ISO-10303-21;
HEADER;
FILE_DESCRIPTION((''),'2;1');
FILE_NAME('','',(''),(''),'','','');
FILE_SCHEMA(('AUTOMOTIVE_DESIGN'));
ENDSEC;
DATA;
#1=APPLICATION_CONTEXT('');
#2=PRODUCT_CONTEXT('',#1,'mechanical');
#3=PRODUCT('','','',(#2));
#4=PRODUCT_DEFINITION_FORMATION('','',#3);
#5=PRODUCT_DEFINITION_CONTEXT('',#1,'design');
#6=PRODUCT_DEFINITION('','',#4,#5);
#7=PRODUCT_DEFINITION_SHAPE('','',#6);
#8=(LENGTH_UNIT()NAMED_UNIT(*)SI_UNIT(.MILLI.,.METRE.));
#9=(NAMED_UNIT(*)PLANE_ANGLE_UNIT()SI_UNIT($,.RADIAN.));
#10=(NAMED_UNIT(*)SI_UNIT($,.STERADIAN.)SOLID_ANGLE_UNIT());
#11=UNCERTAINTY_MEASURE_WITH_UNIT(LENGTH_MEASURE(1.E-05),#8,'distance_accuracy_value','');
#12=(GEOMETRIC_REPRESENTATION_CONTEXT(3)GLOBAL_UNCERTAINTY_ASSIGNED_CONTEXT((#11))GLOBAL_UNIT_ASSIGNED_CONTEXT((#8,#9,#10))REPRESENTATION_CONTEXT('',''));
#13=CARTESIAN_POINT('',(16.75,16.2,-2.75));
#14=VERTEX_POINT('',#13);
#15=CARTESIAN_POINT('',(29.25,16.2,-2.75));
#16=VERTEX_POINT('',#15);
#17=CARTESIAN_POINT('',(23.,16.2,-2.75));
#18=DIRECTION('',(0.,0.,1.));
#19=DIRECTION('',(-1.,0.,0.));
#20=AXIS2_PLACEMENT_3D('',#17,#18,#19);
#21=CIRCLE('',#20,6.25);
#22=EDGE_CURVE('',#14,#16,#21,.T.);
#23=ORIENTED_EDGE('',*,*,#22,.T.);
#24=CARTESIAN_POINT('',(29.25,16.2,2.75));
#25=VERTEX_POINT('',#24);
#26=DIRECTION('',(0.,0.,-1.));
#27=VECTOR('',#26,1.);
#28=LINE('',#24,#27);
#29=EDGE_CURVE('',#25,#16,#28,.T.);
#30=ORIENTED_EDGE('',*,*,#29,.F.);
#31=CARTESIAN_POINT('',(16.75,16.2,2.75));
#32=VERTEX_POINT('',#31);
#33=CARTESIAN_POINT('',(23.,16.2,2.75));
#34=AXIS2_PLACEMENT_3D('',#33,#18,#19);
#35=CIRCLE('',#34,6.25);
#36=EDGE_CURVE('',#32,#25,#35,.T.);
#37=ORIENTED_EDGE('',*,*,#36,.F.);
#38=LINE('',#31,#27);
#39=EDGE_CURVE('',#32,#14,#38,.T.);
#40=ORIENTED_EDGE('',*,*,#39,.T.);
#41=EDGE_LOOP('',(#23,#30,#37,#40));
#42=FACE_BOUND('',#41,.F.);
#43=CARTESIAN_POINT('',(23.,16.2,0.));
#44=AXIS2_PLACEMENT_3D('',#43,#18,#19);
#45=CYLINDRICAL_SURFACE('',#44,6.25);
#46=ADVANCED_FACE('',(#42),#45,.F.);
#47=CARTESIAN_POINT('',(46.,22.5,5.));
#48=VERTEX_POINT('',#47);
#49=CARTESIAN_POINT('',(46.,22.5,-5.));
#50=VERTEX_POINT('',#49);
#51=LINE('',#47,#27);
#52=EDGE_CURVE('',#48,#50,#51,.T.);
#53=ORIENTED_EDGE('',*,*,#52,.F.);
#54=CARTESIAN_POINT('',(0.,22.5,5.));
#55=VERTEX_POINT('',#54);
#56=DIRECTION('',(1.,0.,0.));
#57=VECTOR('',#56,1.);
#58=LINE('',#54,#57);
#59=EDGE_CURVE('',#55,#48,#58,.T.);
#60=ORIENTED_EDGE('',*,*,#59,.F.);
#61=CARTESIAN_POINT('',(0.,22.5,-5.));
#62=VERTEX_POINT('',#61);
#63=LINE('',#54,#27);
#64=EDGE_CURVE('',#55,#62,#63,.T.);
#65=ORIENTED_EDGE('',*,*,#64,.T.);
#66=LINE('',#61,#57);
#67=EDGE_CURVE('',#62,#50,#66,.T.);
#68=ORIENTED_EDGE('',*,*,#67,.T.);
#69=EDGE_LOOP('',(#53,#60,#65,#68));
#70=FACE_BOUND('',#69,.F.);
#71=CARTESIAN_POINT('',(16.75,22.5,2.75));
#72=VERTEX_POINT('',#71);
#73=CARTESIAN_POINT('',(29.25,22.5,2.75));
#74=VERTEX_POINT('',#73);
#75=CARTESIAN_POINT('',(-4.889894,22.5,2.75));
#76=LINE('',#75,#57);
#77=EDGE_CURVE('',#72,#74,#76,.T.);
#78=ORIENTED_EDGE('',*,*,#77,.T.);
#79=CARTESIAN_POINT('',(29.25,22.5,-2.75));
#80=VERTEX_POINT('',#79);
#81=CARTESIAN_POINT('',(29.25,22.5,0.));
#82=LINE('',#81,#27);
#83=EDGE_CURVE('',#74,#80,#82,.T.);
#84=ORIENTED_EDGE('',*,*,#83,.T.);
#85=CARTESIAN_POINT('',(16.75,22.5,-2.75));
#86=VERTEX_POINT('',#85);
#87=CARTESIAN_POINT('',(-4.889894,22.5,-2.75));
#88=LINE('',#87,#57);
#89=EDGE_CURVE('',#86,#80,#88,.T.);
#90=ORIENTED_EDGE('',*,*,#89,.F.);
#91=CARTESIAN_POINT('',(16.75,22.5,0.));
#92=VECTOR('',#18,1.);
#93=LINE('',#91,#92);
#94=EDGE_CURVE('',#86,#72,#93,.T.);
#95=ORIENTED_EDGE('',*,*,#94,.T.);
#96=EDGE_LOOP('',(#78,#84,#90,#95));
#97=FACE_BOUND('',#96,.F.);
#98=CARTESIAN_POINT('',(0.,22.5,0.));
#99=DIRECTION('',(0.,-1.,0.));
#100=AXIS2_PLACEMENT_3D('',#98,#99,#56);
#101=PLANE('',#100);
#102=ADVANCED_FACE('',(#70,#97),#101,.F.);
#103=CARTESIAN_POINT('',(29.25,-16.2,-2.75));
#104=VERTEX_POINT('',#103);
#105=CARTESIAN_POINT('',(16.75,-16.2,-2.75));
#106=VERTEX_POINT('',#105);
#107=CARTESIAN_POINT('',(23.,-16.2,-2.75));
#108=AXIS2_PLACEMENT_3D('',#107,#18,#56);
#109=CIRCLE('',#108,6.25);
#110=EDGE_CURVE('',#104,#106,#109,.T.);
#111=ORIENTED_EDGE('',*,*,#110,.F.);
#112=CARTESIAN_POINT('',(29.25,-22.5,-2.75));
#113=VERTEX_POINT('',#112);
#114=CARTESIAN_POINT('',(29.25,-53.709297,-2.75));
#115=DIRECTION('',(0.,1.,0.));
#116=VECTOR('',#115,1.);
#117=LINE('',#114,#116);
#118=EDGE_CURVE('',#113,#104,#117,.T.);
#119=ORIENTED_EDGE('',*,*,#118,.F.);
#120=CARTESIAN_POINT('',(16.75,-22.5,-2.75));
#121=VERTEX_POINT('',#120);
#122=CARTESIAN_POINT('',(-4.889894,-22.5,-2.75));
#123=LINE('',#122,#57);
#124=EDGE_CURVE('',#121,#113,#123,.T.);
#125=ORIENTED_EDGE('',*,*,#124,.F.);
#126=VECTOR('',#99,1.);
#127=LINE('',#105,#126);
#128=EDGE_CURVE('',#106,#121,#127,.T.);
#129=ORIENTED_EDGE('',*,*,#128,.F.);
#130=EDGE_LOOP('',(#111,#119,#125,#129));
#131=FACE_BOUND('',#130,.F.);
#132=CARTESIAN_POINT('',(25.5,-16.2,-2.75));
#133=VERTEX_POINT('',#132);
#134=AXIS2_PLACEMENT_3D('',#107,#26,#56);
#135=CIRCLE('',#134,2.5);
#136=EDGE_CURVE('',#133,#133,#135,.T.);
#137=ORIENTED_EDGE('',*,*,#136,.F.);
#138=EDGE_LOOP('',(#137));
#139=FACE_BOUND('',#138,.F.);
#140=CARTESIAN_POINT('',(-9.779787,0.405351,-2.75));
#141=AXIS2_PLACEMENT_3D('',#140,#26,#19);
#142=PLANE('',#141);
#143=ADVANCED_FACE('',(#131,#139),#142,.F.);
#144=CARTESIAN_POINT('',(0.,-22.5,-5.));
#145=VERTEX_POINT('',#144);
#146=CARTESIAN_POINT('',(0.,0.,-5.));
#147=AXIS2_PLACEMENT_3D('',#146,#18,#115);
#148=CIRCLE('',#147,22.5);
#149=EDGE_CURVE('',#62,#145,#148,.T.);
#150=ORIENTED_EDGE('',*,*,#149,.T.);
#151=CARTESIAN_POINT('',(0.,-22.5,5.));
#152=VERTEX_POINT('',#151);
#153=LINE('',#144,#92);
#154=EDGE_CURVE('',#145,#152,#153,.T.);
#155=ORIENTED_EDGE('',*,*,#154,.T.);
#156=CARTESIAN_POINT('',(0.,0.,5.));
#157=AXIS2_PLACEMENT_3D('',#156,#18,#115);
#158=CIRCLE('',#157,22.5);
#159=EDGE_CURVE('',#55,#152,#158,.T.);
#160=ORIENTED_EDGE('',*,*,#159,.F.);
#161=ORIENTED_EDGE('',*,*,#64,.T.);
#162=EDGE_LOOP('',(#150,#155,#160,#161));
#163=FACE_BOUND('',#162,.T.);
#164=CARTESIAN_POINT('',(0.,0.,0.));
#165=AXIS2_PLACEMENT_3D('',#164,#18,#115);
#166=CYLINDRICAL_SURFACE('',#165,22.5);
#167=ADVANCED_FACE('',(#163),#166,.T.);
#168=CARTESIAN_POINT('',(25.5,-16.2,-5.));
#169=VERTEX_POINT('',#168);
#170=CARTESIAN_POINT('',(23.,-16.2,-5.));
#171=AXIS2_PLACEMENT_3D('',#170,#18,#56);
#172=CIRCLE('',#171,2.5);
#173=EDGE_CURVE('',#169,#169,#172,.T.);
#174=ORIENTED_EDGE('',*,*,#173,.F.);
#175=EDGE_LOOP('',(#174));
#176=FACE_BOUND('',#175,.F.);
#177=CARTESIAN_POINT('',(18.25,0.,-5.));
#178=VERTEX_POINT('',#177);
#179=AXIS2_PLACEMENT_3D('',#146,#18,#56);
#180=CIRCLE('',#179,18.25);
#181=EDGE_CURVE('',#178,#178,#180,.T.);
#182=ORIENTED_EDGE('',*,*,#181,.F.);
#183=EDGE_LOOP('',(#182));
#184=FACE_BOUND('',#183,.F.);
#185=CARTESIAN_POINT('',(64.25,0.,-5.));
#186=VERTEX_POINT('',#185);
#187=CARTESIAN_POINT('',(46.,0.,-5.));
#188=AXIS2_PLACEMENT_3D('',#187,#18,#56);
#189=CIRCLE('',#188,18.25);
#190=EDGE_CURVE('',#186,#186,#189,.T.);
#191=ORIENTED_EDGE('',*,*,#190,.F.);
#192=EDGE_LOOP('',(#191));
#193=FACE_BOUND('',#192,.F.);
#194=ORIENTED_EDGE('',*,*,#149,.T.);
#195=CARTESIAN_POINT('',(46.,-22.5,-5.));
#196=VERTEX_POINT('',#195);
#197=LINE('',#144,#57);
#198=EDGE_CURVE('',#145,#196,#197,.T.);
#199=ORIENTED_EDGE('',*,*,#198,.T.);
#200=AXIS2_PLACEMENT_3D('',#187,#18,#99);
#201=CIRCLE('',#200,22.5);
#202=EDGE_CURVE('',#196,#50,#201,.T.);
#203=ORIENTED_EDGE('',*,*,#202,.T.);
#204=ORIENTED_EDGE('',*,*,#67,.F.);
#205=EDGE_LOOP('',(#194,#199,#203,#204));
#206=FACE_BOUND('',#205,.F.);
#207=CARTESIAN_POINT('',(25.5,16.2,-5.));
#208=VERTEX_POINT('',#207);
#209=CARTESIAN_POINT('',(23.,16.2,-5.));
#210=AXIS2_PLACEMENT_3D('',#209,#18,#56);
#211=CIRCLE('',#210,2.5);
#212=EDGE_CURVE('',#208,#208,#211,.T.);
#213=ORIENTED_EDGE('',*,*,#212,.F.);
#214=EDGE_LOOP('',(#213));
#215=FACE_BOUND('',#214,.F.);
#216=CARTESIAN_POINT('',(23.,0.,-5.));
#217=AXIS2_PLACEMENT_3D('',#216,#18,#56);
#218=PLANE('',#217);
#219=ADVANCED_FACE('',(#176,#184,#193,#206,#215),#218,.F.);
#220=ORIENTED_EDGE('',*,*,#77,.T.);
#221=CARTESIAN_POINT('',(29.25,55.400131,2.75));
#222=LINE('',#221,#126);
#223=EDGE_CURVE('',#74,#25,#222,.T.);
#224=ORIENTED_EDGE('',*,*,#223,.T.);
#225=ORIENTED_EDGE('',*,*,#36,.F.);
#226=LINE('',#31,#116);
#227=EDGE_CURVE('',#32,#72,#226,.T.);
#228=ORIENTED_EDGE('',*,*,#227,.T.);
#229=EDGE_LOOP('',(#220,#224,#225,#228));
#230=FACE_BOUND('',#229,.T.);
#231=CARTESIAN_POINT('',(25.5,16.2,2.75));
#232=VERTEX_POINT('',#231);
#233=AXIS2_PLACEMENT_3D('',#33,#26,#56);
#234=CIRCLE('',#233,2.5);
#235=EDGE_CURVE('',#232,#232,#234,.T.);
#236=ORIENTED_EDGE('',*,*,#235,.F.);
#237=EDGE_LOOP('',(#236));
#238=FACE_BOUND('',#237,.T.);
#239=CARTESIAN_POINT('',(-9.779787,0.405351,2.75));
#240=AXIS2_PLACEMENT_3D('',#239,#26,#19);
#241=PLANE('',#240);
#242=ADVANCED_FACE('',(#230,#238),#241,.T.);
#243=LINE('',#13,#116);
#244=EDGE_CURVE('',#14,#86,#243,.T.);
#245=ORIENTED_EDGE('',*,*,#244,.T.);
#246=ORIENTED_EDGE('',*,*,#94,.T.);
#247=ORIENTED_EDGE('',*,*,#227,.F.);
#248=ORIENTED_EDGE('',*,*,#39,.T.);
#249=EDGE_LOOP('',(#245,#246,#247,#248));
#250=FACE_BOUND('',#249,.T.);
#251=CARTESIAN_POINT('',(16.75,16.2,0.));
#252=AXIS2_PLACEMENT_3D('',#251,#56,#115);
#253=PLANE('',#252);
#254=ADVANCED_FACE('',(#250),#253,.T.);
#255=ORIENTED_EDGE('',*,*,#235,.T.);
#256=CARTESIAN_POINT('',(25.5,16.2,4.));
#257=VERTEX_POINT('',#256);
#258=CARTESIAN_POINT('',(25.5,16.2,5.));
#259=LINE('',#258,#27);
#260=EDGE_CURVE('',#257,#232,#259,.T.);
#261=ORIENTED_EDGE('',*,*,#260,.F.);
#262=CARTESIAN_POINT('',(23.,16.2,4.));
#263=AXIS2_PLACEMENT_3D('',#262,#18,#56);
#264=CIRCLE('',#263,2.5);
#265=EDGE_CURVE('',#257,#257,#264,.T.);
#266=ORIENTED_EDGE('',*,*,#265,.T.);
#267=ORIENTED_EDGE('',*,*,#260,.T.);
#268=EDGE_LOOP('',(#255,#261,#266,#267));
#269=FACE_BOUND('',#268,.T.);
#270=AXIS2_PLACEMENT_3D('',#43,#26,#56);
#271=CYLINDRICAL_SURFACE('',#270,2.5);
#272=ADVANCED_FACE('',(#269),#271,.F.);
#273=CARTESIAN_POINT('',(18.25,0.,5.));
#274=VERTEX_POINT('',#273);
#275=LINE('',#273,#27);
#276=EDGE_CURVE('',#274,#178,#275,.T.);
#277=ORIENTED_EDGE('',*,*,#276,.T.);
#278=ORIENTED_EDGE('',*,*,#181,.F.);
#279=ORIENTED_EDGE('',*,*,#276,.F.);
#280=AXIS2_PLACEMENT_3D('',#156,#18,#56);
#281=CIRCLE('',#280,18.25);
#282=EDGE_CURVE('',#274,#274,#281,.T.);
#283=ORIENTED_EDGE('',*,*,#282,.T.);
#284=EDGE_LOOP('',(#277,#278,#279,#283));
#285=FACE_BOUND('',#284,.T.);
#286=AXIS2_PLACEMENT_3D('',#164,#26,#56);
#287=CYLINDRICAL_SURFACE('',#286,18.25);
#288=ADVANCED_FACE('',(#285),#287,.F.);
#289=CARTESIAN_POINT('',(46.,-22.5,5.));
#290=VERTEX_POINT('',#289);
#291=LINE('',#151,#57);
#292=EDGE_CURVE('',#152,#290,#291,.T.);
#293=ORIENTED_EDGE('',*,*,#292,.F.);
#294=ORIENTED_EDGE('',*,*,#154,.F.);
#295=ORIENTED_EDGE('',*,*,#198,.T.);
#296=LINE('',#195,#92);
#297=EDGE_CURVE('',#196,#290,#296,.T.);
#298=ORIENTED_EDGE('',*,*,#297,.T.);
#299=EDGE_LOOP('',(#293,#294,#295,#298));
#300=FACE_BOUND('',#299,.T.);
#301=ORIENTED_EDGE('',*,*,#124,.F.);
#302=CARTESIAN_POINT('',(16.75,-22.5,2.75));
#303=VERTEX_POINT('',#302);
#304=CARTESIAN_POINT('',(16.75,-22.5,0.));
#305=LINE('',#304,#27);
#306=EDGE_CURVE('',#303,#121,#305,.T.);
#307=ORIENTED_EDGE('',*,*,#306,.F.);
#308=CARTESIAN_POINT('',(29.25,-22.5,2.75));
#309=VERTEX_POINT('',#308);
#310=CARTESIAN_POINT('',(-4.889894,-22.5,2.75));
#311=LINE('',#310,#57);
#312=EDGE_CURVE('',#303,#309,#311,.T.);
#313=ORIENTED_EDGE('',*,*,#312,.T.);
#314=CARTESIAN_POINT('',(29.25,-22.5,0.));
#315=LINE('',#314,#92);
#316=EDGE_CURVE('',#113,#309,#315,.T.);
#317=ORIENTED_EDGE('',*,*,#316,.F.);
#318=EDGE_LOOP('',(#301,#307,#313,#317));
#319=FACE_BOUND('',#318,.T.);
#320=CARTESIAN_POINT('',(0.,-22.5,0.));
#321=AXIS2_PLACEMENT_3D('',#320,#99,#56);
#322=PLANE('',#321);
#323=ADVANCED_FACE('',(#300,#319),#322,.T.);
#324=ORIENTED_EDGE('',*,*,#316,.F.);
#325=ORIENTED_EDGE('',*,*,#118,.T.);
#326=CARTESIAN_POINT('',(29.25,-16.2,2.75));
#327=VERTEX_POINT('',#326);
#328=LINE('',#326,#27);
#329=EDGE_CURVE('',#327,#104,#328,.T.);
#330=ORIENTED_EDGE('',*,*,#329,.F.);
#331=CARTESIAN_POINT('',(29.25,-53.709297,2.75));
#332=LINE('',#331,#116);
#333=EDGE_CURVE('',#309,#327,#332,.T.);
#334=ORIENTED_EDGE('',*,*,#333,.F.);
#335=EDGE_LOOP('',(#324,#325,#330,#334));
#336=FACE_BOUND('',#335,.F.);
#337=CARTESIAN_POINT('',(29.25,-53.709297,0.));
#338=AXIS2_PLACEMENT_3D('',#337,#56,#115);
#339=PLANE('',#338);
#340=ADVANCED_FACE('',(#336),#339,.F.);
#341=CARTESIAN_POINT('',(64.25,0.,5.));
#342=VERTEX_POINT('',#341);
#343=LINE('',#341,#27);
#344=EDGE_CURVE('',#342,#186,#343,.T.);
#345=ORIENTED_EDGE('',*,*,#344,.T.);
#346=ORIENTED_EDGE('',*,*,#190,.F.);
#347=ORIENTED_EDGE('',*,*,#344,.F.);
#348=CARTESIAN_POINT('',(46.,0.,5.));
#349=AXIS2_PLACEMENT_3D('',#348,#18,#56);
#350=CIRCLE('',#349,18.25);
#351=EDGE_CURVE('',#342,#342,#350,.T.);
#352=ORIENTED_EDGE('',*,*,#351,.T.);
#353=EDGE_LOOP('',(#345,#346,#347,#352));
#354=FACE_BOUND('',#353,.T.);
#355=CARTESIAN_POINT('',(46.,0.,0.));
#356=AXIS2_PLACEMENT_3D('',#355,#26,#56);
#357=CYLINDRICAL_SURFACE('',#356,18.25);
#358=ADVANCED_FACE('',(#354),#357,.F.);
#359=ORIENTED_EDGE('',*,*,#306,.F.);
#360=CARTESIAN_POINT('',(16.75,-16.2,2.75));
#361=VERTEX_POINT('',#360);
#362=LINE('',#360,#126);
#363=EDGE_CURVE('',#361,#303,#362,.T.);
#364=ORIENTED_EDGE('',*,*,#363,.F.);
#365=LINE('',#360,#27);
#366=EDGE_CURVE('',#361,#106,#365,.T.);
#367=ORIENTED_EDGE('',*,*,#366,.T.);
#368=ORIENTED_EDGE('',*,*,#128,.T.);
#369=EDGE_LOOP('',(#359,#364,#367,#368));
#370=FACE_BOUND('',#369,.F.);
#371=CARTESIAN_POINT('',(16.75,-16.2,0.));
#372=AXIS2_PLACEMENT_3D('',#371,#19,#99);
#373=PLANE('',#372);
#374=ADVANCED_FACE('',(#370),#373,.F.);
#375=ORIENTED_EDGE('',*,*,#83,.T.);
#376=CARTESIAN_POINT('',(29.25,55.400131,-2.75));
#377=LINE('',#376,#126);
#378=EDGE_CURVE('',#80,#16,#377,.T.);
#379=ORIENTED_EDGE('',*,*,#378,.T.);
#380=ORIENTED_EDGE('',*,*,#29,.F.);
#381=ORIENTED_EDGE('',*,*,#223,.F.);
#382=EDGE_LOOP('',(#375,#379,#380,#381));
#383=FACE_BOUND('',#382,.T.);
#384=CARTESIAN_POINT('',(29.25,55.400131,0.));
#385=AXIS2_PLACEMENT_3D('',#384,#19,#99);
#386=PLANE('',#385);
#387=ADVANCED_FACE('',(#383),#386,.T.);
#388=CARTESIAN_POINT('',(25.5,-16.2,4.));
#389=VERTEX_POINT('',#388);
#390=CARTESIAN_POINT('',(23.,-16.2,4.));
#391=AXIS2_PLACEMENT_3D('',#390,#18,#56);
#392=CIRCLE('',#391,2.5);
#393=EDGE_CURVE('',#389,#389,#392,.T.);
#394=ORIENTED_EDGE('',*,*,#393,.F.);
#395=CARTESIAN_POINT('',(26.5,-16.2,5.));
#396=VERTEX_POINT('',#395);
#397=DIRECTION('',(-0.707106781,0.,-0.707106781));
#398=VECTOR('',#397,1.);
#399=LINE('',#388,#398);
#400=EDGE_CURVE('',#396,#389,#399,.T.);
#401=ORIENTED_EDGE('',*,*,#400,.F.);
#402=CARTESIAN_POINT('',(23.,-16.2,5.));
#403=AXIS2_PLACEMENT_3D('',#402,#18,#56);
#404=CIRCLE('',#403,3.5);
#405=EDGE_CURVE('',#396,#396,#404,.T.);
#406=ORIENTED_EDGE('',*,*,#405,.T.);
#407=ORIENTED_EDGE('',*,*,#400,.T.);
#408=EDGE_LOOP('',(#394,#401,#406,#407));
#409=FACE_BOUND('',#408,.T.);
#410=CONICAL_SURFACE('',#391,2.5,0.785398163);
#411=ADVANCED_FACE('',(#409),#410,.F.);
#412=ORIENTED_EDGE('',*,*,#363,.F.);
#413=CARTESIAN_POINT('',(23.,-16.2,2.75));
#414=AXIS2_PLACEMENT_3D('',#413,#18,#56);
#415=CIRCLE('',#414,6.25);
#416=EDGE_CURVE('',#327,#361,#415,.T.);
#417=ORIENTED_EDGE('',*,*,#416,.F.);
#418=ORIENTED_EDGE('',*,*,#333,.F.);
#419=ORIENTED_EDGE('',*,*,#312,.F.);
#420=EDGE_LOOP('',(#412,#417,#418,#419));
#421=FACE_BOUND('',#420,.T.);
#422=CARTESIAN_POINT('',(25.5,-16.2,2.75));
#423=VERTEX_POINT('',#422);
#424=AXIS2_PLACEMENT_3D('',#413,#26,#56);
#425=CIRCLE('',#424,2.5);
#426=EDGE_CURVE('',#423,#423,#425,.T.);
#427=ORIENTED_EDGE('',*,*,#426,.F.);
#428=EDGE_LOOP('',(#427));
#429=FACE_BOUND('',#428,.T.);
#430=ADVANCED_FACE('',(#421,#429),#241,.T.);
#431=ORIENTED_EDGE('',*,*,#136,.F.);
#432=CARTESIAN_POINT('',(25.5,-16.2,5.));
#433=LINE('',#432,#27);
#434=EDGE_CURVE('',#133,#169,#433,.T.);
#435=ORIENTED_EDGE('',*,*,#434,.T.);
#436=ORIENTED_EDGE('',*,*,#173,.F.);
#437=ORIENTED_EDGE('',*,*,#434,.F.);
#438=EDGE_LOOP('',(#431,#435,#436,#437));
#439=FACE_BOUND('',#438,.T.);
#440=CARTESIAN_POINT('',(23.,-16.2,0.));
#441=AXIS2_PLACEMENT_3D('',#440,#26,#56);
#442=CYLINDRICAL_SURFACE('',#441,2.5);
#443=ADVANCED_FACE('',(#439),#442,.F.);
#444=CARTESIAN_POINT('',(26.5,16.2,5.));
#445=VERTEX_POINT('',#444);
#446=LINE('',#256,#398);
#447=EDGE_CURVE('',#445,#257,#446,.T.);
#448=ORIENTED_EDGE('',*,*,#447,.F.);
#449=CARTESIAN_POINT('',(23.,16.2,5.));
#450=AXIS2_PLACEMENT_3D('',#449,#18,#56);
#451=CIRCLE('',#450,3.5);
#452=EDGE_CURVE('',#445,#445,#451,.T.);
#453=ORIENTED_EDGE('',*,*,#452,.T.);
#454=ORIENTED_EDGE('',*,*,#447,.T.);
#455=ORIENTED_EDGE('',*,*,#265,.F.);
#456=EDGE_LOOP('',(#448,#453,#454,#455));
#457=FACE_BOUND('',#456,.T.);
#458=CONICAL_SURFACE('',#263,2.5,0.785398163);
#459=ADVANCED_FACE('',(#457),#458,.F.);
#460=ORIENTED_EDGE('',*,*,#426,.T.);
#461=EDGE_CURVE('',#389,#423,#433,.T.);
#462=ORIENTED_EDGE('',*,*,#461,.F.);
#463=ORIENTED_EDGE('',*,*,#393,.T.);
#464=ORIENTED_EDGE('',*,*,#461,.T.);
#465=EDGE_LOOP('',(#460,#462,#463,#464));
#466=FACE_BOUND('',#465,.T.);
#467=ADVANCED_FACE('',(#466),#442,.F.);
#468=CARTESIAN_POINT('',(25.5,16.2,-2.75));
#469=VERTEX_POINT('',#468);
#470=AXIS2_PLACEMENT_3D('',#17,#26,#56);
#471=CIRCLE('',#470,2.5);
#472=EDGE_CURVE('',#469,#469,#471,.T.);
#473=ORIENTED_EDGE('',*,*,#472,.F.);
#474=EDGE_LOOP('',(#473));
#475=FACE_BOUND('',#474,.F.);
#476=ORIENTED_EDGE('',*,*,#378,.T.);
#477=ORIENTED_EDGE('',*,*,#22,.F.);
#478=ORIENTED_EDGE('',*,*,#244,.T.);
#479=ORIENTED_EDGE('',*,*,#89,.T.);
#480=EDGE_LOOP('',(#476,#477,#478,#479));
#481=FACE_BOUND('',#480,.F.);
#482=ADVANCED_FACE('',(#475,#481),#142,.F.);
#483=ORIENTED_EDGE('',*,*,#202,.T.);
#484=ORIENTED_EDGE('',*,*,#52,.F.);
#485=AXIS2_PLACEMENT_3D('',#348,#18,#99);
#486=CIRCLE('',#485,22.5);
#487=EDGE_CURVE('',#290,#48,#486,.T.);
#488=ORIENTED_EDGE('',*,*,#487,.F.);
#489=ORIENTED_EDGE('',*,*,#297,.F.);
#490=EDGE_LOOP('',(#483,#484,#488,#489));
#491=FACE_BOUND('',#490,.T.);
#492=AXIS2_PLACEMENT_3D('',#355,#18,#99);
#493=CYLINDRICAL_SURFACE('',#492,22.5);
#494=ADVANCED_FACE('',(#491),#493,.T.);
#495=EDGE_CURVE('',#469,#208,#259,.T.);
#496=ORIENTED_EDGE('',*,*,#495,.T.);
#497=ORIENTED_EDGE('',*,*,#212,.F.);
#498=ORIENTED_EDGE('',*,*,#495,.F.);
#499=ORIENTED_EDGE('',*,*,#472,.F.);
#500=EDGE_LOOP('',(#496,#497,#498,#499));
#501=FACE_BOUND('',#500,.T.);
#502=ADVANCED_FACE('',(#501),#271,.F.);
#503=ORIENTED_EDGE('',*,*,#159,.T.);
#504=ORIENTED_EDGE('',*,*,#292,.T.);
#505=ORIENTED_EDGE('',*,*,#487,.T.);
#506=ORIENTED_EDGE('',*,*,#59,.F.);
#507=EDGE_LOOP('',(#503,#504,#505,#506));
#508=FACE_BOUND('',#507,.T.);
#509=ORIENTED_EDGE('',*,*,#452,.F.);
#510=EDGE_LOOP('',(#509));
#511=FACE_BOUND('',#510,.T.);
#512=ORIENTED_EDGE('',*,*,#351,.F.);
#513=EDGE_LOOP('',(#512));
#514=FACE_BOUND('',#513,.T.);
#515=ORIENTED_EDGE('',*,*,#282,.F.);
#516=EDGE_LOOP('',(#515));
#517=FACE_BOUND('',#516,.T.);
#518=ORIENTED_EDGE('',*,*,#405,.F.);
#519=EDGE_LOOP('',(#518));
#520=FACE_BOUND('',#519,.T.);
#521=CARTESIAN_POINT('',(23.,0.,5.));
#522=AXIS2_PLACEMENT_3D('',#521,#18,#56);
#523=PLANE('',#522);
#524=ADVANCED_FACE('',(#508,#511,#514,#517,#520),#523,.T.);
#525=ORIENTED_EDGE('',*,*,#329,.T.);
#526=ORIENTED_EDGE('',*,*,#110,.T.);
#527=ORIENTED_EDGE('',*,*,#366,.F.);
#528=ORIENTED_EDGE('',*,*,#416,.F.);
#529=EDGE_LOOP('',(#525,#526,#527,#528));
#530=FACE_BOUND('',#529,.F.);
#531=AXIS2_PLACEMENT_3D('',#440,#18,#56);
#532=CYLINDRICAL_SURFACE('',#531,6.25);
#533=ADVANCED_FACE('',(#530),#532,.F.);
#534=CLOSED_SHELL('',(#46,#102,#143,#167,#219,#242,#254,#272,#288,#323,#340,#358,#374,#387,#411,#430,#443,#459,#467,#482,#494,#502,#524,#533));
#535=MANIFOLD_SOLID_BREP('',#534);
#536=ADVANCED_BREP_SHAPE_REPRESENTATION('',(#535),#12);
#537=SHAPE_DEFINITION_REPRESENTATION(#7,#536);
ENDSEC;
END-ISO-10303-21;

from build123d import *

# Parameters (mm, degrees)
SKETCH007_R   = 18.25
SKETCH007_R_2 = 2.5
PAD002_DEPTH  = 5
POCKET_DEPTH  = 2.75
CHAMFER_SIZE  = 1


with BuildPart() as part:
    # Sketch007 → Pad002 (new body, symmetric)
    with BuildSketch(Plane.XY):
        with BuildLine():
            ThreePointArc((0, 22.5), (-22.5, 0), (0, -22.5))
            Line((0, -22.5), (46, -22.5))
            ThreePointArc((46, -22.5), (68.5, 0), (46, 22.5))
            Line((0, 22.5), (46, 22.5))
        make_face()
        Circle(SKETCH007_R, mode=Mode.SUBTRACT)
        with Locations((46, 0)):
            Circle(SKETCH007_R, mode=Mode.SUBTRACT)
        with Locations((23, 16.2)):
            Circle(SKETCH007_R_2, mode=Mode.SUBTRACT)
        with Locations((23, -16.2)):
            Circle(SKETCH007_R_2, mode=Mode.SUBTRACT)
    extrude(amount=PAD002_DEPTH, both=True)

    # Sketch069 → Pocket (cut, symmetric)
    with BuildSketch(Plane.XY):
        with BuildLine():
            Line((29.25, 55.400131), (29.25, 16.2))
            ThreePointArc((16.75, 16.2), (23, 9.95), (29.25, 16.2))
            Line((16.75, 16.2), (16.75, 45.38327))
            Line((16.75, 45.38327), (-33.812714, 45.38327))
            Line((-33.812714, 45.38327), (-33.812714, -45.794624))
            Line((-33.812714, -45.794624), (16.75, -45.794624))
            Line((16.75, -16.2), (16.75, -45.794624))
            ThreePointArc((29.25, -16.2), (23, -9.95), (16.75, -16.2))
            Line((29.25, -53.709297), (29.25, -16.2))
            Line((29.25, -53.709297), (-45.873169, -53.709297))
            Line((-45.873169, -53.709297), (-45.873169, 55.400131))
            Line((-45.873169, 55.400131), (29.25, 55.400131))
        make_face()
    extrude(amount=POCKET_DEPTH, both=True, mode=Mode.SUBTRACT)

    # Chamfer
    chamfer_edges = [part.edges().sort_by_distance(p)[0] for p in [
        (20.5, 16.2, 5),
        (20.5, -16.2, 5),
    ]]
    chamfer(chamfer_edges, length=CHAMFER_SIZE)


solid = part.part
